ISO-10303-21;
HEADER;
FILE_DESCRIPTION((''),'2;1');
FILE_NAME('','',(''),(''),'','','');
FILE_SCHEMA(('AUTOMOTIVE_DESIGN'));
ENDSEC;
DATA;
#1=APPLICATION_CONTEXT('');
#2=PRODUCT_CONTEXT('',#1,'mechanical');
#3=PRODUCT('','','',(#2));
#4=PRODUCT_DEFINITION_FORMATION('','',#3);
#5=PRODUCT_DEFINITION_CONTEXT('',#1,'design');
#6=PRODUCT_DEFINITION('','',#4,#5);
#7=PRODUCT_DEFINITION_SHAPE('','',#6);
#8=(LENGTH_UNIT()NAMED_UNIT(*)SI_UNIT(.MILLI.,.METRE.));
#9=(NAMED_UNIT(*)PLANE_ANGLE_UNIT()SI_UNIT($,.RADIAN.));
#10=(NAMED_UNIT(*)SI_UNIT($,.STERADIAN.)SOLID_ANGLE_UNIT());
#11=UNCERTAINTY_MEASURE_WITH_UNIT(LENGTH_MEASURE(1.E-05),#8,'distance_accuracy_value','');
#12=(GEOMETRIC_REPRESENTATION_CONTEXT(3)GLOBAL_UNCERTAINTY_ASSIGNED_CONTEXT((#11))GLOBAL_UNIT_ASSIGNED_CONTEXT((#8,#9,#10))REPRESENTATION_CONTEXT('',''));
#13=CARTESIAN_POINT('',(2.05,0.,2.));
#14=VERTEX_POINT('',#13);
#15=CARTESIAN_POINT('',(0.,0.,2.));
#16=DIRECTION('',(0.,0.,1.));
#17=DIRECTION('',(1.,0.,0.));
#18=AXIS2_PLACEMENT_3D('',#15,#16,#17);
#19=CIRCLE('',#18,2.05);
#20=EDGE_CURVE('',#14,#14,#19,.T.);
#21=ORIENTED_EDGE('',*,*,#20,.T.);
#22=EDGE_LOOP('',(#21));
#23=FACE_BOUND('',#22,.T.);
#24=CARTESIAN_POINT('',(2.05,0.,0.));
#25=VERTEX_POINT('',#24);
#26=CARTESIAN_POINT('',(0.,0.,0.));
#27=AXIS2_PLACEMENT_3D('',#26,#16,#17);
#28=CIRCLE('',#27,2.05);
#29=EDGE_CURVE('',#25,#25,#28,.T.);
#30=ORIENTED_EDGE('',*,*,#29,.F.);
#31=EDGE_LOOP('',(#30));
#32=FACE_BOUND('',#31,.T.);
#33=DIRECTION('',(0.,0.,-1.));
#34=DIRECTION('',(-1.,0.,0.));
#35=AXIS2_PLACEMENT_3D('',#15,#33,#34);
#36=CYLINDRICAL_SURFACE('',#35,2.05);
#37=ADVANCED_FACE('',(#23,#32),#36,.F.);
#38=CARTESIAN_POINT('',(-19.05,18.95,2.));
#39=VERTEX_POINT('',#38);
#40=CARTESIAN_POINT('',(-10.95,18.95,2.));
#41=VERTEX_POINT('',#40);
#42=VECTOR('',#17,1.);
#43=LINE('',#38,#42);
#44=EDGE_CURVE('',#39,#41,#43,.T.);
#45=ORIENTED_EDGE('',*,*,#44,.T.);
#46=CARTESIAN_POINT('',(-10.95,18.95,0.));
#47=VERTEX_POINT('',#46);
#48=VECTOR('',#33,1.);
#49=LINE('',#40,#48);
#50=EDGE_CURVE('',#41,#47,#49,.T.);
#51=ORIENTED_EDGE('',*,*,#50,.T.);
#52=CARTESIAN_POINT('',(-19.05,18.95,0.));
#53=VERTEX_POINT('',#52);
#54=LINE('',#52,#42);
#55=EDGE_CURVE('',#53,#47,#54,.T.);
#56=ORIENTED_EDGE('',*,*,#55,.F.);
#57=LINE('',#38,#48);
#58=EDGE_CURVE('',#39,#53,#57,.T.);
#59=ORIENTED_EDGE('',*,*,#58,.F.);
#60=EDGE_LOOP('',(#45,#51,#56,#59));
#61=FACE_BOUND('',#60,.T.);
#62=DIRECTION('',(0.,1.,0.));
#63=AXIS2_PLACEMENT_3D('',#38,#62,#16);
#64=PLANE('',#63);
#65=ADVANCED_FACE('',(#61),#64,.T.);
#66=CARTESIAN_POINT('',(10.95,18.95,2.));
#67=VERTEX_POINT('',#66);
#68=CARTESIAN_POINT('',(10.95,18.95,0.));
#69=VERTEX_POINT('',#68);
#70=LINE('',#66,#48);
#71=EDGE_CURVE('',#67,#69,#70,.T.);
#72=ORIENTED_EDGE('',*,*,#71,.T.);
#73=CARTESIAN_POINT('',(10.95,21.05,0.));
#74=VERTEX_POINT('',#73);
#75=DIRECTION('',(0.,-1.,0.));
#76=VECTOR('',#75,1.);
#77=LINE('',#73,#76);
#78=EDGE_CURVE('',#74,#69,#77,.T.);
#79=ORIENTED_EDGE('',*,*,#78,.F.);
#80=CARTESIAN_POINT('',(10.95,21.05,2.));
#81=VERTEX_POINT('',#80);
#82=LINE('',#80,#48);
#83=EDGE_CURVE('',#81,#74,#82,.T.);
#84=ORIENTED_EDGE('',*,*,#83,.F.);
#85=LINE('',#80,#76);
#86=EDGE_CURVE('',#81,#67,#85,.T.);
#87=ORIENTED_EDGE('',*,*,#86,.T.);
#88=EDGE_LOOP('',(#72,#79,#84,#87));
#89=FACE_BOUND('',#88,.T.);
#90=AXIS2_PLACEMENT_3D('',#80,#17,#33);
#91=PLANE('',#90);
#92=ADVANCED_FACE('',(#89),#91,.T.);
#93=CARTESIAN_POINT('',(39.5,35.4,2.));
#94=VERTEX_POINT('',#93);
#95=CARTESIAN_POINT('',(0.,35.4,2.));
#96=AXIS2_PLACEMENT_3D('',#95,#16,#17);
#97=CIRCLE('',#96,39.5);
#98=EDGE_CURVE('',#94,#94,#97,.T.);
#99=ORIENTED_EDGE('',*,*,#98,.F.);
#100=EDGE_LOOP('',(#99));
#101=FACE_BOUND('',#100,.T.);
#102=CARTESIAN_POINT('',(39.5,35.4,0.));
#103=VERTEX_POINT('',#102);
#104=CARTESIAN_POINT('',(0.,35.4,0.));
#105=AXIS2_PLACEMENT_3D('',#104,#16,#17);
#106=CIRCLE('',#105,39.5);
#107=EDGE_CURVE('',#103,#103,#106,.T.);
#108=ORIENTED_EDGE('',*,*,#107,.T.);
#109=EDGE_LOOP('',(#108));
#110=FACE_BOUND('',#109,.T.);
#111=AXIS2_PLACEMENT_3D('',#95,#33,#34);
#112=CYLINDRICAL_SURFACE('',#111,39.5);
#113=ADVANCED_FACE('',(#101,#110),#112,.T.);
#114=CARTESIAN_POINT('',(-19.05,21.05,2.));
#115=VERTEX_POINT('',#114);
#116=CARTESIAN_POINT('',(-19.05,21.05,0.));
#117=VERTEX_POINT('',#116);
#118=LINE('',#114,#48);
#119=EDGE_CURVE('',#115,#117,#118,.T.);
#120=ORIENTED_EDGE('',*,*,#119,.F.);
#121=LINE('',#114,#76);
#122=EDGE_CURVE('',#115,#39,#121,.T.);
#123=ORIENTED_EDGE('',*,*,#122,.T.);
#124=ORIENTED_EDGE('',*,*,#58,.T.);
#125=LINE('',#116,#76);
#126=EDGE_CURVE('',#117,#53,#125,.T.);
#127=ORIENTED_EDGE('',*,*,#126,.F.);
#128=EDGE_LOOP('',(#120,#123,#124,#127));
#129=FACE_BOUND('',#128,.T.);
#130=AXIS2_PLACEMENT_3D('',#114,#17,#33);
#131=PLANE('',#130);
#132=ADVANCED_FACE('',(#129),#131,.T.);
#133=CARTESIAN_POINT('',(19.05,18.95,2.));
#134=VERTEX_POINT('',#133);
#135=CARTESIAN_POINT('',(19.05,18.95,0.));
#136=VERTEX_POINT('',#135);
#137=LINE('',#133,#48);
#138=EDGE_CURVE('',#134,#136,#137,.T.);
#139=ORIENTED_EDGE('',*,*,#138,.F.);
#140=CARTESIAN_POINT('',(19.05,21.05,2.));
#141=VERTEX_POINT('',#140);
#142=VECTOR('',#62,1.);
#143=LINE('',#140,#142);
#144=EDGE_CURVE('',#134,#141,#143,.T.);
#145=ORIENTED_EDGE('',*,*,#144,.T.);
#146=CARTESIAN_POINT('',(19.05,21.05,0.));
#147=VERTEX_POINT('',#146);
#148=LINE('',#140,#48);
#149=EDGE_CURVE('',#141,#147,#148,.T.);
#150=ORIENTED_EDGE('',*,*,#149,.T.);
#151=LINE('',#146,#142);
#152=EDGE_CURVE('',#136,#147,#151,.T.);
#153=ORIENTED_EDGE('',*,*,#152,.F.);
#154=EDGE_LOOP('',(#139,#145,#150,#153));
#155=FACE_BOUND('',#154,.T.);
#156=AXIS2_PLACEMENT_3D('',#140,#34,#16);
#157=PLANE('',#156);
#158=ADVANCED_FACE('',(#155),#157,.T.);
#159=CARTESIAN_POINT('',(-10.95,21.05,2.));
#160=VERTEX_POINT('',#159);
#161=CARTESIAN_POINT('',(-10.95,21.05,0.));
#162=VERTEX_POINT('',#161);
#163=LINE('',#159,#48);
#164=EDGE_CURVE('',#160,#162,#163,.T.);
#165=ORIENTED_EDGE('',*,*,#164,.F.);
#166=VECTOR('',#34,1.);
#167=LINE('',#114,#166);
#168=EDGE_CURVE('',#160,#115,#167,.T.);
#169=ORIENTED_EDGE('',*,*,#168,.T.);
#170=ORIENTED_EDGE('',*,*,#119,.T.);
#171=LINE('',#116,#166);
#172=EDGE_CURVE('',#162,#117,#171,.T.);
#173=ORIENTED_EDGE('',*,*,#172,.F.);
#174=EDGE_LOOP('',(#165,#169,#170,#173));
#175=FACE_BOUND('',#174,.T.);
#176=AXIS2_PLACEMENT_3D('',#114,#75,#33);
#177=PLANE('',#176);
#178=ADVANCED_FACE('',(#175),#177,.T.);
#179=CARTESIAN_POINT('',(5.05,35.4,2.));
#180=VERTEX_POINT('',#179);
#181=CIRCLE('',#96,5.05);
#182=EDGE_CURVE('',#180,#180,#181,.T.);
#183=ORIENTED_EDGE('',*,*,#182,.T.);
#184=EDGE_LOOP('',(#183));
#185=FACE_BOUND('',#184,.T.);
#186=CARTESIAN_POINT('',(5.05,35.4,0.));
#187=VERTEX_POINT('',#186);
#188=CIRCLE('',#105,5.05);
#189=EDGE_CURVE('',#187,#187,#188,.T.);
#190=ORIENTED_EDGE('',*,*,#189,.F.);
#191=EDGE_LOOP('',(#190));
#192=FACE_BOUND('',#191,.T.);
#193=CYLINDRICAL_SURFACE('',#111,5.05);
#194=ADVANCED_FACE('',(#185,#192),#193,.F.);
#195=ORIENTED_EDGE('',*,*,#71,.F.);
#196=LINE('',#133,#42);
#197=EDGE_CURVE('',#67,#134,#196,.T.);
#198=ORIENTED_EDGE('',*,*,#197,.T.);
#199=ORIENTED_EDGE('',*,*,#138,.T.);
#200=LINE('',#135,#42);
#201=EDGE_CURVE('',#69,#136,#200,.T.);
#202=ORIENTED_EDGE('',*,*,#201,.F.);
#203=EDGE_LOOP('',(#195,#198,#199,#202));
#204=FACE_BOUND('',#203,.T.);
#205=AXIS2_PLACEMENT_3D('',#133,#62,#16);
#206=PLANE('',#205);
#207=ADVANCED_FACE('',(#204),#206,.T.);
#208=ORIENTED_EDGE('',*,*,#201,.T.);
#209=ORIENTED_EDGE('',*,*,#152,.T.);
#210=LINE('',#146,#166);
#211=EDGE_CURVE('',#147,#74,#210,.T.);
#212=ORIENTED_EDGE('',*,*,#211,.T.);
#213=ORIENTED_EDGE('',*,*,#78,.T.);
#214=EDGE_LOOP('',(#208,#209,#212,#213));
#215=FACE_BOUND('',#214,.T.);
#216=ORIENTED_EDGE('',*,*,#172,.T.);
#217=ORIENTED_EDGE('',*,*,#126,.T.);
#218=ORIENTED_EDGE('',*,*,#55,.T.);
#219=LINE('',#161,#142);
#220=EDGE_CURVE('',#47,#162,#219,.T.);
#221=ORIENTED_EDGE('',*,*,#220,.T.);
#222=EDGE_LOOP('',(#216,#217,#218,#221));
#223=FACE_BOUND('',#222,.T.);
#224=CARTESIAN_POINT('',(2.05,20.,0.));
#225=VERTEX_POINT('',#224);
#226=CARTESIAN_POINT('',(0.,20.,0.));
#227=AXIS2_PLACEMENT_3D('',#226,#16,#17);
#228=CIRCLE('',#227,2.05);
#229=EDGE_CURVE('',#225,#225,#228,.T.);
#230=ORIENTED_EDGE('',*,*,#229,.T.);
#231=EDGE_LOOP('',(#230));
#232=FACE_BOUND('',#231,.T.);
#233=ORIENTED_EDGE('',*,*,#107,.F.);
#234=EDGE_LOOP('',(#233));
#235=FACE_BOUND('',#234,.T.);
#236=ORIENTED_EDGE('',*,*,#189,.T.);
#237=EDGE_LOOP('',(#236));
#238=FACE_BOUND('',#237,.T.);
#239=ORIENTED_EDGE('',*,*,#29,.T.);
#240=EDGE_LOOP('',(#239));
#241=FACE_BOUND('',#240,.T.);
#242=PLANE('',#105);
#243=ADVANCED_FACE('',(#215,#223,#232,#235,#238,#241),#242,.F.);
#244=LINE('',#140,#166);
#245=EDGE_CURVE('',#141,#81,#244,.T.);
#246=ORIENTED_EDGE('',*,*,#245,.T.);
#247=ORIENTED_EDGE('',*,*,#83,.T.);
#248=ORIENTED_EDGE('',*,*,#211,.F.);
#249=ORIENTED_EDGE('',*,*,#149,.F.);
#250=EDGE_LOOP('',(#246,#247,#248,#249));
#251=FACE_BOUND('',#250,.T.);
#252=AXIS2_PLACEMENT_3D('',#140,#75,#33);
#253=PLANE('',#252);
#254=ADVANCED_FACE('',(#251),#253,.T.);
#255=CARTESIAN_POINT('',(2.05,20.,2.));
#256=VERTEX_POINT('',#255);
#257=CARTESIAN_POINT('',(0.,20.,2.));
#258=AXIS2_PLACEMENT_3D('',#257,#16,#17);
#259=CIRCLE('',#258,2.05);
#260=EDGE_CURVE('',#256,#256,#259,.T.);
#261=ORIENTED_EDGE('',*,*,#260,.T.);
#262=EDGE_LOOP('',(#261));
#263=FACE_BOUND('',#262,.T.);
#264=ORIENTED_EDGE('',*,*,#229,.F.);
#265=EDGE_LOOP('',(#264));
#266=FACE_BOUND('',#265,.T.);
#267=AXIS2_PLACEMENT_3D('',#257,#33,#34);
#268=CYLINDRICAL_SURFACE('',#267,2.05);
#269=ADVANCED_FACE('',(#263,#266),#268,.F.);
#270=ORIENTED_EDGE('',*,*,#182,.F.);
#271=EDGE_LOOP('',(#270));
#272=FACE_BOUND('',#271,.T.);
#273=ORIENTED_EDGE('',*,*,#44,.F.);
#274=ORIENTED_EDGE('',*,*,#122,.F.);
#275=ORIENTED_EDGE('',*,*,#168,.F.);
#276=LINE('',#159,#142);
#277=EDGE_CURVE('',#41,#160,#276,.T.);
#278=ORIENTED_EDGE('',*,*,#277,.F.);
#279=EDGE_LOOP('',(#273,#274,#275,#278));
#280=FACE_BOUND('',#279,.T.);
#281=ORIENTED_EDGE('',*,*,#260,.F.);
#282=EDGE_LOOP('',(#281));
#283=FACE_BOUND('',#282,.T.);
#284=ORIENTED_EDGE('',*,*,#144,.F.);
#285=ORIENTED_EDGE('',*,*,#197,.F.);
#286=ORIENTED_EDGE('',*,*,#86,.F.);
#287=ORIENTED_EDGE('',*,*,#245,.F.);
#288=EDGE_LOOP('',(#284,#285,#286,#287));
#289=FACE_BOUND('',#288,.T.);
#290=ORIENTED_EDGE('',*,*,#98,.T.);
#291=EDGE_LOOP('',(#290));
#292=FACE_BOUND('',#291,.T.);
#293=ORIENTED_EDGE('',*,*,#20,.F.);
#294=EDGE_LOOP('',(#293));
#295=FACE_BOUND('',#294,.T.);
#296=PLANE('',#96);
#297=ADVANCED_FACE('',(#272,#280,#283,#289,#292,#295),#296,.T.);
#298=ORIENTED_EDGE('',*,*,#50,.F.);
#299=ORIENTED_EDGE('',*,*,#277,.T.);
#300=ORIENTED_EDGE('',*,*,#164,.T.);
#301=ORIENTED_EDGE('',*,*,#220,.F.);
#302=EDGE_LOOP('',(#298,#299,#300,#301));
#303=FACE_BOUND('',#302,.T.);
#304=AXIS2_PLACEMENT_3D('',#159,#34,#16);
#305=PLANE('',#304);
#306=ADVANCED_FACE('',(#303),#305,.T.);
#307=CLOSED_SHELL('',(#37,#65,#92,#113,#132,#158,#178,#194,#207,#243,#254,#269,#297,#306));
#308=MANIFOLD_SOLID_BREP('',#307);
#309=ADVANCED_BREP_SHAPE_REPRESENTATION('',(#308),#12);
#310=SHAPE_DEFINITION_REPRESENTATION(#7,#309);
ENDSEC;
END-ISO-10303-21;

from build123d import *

# Parameters (mm, degrees)
SKETCH_1_R      = 39.5
SKETCH_1_R_2    = 2.05
SKETCH_1_R_3    = 5.05
SKETCH_1_W      = 8.1
SKETCH_1_H      = 2.1
EXTRUDE_1_DEPTH = 2


with BuildPart() as part:
    # 草图1 → 凸台-拉伸1 (new body)
    with BuildSketch(Plane.XY):
        with Locations((0, 35.4)):
            Circle(SKETCH_1_R)
        Circle(SKETCH_1_R_2, mode=Mode.SUBTRACT)
        with Locations((0, 20)):
            Circle(SKETCH_1_R_2, mode=Mode.SUBTRACT)
        with Locations((0, 35.4)):
            Circle(SKETCH_1_R_3, mode=Mode.SUBTRACT)
        with Locations((-15, 20)):
            Rectangle(SKETCH_1_W, SKETCH_1_H, mode=Mode.SUBTRACT)
        with Locations((15, 20)):
            Rectangle(SKETCH_1_W, SKETCH_1_H, mode=Mode.SUBTRACT)
    extrude(amount=EXTRUDE_1_DEPTH)


solid = part.part
